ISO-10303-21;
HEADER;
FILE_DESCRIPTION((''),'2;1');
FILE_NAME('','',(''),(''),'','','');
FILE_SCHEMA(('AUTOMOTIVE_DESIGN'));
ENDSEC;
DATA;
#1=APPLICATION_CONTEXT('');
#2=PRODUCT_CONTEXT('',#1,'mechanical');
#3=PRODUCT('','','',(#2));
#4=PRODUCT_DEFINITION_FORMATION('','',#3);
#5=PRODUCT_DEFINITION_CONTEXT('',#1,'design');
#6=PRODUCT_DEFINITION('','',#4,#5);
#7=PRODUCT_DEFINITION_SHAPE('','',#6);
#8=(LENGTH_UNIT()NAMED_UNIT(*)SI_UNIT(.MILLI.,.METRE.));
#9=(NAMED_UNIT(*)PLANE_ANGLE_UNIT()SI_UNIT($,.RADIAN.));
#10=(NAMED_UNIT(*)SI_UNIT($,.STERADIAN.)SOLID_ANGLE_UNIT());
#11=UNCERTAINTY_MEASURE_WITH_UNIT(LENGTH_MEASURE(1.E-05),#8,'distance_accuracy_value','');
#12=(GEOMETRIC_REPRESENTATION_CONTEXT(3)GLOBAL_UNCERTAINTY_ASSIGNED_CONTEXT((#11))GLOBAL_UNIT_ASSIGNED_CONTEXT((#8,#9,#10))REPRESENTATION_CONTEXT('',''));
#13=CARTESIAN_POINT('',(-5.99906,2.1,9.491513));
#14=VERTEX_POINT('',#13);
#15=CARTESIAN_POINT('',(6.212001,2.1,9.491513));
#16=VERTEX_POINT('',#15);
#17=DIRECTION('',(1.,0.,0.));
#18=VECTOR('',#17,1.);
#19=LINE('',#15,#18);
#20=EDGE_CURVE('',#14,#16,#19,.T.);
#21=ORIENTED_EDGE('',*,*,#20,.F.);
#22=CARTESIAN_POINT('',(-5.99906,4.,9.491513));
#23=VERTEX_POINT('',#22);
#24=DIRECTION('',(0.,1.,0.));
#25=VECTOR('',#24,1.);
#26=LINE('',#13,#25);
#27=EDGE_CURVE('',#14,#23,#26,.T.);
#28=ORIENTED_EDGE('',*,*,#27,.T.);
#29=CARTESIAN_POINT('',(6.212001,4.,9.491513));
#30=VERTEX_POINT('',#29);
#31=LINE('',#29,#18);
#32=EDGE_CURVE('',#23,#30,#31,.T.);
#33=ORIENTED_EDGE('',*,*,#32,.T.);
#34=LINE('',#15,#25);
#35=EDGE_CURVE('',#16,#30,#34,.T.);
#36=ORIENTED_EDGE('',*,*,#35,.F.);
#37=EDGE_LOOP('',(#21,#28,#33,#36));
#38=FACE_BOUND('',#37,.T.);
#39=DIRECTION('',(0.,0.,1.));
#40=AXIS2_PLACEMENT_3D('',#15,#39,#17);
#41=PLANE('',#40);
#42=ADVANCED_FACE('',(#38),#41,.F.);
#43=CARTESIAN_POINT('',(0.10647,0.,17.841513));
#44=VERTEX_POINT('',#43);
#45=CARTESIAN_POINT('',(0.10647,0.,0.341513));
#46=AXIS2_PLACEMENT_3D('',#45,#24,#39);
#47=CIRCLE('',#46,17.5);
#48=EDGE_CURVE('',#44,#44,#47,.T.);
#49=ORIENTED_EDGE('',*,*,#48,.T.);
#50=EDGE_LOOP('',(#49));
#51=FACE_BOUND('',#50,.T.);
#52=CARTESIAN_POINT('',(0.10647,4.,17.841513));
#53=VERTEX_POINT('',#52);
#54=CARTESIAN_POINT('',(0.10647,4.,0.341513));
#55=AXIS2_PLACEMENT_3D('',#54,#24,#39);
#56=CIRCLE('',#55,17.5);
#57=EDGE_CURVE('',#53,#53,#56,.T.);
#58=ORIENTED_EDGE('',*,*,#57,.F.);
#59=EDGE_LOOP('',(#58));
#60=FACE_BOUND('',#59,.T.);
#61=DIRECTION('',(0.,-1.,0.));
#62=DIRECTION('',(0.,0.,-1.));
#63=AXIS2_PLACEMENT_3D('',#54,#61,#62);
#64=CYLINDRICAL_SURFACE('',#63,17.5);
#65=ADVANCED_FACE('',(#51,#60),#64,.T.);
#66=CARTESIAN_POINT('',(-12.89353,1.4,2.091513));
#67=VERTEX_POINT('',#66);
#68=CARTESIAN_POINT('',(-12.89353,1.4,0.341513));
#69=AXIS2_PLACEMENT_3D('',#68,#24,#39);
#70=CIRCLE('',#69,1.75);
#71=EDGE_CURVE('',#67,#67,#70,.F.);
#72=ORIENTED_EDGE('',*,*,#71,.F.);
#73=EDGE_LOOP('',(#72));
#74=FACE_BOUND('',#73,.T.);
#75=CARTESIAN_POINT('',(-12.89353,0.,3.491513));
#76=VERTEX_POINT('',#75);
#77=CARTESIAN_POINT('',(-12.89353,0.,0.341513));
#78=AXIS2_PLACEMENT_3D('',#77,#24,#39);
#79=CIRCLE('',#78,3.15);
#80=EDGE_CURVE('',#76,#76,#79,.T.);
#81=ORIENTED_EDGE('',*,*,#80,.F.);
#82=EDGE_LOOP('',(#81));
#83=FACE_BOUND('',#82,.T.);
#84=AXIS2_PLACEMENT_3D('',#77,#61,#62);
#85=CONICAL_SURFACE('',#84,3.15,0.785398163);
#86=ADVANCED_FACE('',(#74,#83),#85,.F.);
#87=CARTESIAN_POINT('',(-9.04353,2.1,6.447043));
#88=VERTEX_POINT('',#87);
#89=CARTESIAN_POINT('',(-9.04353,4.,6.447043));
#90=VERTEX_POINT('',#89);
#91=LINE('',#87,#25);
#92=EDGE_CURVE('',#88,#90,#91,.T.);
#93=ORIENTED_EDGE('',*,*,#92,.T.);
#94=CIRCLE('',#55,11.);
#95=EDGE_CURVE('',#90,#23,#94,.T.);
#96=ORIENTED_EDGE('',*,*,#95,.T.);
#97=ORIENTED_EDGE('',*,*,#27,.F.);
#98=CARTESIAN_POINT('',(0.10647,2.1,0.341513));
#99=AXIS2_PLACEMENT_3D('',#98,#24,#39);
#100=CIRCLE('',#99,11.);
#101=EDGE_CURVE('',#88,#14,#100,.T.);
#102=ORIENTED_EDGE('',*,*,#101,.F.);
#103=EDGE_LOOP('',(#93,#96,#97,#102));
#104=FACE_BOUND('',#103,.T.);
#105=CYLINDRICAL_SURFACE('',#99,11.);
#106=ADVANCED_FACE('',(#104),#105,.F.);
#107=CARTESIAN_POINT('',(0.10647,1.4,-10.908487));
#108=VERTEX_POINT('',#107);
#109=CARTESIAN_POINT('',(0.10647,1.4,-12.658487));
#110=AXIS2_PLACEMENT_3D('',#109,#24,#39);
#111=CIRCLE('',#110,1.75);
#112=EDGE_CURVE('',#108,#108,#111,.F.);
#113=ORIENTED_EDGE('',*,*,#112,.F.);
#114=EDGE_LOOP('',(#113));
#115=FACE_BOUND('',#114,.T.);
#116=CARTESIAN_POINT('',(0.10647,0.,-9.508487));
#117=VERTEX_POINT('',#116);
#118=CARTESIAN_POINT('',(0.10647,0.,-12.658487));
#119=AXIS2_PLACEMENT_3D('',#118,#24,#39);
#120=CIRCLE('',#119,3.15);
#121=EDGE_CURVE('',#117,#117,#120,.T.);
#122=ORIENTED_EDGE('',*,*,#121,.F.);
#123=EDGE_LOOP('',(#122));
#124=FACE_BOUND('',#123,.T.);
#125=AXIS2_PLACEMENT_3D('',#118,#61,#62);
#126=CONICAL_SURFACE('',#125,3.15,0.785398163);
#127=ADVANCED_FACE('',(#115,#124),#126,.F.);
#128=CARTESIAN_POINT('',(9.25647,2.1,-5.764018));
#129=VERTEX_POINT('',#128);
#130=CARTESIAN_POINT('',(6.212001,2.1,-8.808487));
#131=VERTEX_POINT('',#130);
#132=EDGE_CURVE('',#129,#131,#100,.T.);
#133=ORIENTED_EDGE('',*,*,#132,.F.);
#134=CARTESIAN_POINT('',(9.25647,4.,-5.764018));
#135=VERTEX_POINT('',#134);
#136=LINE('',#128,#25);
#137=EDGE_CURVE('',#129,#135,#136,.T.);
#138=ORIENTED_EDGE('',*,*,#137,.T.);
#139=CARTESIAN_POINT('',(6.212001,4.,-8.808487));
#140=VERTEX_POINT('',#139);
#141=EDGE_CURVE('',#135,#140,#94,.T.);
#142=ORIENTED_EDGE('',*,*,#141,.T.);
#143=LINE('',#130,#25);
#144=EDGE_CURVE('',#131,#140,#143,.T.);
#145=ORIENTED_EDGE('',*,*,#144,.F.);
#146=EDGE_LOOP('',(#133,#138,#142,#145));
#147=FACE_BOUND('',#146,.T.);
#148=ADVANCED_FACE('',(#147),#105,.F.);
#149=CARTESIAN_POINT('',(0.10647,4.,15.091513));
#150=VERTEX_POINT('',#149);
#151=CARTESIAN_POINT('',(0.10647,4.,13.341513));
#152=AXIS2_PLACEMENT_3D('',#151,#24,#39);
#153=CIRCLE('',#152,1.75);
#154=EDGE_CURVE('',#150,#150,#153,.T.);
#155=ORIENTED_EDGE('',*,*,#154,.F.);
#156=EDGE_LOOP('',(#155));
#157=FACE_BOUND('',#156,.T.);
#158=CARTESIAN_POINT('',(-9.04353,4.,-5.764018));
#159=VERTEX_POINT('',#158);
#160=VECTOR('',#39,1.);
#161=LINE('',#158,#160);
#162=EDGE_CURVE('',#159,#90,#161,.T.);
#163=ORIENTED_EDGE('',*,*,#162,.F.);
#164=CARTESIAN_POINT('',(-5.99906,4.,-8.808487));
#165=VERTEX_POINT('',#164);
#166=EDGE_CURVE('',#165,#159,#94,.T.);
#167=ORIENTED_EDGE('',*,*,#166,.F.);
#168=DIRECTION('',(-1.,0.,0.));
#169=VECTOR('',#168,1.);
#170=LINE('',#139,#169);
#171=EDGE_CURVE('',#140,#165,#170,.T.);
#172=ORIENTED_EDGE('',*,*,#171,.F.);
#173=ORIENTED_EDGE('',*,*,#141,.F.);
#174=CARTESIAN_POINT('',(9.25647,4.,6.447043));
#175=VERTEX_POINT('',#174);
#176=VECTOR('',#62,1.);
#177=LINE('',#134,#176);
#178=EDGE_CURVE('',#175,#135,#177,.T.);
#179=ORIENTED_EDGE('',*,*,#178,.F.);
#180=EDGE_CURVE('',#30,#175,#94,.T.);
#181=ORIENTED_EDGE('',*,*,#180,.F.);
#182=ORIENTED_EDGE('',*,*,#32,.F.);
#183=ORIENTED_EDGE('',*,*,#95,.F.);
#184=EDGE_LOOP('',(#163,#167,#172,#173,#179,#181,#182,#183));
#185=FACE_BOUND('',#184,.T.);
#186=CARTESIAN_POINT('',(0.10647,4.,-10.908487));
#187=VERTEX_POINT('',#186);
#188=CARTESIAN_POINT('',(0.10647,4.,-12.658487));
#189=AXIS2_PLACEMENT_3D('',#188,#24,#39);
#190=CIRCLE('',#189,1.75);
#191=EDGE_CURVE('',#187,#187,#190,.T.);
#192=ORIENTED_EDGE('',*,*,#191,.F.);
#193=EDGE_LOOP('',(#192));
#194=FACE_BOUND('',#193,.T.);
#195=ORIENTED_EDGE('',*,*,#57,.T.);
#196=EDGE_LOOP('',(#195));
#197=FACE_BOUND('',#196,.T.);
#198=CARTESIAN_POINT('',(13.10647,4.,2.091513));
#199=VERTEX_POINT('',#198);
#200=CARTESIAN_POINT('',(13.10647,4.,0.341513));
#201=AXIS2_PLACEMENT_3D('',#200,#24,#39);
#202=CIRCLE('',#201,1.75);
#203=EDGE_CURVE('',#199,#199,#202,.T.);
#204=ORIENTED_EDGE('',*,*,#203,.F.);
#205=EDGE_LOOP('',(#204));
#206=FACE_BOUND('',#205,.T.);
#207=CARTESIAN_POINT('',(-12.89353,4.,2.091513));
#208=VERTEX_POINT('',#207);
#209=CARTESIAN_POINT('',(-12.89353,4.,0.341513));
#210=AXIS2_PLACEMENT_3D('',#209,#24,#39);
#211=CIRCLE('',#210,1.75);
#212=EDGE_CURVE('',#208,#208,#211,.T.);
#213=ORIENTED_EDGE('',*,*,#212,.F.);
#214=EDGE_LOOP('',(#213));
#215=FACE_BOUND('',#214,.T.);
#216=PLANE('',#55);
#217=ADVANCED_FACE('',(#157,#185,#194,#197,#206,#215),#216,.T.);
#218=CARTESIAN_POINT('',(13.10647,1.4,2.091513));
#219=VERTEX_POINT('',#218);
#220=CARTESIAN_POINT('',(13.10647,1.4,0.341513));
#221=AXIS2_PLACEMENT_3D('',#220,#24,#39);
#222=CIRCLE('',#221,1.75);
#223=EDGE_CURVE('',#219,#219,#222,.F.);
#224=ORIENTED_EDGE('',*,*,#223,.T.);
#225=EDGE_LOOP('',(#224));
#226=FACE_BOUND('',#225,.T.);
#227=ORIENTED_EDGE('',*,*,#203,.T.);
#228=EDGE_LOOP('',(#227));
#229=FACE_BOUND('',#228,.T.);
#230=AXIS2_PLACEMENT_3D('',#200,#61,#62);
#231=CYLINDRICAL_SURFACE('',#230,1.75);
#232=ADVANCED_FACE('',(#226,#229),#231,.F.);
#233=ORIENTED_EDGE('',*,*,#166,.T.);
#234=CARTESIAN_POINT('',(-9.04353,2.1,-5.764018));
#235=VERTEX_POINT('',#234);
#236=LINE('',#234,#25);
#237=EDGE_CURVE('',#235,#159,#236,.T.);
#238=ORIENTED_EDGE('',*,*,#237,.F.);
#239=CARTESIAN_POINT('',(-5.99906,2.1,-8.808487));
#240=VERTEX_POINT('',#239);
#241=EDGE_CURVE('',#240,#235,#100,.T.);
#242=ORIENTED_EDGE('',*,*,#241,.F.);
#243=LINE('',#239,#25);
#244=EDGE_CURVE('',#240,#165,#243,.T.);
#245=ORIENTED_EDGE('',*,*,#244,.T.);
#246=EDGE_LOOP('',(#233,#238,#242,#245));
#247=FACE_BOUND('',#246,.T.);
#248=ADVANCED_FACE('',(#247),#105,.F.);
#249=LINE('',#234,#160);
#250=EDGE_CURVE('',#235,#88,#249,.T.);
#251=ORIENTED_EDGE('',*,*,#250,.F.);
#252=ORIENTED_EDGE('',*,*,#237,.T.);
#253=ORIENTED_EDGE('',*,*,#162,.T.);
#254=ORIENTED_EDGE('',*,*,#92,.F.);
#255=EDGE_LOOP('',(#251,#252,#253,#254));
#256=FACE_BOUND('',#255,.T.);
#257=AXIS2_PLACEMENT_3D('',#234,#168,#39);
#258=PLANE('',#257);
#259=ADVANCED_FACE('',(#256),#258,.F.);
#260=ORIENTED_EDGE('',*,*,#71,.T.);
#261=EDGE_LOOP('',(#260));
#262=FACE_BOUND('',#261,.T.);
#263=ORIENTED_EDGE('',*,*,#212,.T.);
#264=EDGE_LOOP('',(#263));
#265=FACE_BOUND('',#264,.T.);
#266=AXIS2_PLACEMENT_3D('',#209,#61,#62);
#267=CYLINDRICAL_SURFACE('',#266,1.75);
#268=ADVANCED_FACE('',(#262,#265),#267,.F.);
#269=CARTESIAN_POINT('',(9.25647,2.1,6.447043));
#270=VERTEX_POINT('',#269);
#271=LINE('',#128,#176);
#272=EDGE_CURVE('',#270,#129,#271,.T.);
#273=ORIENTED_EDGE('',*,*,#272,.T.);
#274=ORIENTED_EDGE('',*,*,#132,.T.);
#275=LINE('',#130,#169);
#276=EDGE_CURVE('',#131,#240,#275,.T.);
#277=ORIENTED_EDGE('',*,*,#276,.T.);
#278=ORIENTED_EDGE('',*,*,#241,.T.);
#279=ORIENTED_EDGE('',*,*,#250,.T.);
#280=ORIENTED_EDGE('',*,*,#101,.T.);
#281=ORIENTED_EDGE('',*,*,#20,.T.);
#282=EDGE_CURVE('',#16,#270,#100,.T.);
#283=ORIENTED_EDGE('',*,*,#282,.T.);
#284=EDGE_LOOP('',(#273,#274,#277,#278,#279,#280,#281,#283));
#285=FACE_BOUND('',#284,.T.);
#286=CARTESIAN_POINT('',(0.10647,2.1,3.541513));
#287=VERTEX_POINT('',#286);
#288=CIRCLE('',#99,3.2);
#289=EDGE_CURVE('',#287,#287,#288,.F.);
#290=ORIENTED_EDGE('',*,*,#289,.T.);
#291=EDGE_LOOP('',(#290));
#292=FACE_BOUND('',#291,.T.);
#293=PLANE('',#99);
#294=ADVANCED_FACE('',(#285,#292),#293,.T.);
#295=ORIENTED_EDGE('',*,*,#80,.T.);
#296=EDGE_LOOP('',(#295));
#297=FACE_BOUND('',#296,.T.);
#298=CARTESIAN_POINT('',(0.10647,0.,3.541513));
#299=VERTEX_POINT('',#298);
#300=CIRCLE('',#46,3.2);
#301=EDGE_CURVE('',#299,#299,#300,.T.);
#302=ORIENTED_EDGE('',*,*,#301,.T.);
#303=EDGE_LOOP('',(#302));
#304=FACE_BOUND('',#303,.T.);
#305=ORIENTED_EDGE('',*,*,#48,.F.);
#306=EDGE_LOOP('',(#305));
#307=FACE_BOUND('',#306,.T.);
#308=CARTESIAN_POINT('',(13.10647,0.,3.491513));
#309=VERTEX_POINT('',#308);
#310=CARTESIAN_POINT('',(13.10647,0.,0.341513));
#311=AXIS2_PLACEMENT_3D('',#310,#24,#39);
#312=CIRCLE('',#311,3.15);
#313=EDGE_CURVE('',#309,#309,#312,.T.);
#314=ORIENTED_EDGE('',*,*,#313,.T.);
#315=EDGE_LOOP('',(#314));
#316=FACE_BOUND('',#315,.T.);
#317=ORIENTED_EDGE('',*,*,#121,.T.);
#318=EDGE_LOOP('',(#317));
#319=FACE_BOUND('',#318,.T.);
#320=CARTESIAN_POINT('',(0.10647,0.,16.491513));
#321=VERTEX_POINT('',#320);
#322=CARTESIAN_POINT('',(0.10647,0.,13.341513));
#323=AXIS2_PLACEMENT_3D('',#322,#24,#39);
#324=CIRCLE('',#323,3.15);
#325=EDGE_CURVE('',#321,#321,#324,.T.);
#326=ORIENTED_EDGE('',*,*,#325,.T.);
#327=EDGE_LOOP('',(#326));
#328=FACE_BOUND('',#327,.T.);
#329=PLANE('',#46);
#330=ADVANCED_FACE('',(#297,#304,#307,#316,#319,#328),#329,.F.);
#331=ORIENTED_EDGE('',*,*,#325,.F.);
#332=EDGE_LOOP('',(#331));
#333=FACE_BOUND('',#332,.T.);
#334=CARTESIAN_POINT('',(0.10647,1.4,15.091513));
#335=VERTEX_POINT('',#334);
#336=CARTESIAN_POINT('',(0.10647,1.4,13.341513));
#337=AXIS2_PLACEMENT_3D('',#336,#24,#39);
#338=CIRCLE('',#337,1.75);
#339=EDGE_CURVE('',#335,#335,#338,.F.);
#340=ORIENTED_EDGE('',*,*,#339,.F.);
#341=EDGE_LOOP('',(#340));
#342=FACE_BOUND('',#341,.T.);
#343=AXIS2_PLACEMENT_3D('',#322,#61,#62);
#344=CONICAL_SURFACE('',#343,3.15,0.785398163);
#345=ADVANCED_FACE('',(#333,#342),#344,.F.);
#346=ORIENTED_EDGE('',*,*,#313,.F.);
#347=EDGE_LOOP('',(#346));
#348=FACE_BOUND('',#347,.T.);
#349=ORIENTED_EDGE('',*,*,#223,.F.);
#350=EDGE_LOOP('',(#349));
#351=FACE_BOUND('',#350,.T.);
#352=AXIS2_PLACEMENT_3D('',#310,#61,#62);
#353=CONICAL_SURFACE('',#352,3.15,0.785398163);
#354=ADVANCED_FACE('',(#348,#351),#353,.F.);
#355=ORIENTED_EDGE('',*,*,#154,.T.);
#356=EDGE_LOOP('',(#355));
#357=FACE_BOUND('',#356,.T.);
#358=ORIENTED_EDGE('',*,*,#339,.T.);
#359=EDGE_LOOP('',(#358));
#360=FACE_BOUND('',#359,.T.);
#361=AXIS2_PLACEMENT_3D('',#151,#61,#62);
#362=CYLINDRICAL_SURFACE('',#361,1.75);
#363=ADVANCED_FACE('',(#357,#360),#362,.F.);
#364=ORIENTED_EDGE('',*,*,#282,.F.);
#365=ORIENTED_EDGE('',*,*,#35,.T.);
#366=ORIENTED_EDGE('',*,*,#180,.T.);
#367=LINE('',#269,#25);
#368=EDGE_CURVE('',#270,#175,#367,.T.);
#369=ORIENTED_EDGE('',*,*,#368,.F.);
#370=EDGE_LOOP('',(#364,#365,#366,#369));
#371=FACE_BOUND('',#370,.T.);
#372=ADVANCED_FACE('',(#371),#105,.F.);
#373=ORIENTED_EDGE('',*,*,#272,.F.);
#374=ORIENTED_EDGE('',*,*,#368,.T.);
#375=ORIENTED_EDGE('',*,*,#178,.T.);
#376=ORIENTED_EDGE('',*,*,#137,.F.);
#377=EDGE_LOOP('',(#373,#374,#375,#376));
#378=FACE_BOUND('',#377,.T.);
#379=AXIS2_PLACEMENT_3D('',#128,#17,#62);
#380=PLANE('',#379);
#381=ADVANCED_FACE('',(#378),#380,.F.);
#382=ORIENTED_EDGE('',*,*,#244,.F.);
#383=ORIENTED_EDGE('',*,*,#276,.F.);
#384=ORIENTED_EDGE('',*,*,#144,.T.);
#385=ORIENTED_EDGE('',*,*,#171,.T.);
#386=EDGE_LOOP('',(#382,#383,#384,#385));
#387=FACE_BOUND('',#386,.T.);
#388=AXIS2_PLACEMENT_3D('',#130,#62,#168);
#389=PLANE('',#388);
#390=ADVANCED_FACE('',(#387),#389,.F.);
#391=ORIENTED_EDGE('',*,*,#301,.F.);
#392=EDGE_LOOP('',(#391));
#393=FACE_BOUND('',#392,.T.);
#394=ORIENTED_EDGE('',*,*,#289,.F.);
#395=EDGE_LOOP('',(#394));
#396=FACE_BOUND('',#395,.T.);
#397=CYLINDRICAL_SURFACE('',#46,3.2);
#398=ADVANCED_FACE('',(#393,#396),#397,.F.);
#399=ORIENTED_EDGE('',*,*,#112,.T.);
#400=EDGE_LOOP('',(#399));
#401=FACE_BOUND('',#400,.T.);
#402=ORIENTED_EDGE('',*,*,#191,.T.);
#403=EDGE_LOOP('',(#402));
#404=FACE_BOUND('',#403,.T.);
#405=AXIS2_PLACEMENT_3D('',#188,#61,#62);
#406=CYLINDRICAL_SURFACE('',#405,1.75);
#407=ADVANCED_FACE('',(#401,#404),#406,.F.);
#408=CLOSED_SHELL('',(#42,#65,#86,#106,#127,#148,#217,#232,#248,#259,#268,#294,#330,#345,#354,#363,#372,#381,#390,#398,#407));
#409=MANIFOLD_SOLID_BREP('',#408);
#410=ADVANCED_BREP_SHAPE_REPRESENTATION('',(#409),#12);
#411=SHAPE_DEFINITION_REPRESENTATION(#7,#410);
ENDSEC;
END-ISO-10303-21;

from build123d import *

# Parameters (mm, degrees)
SKETCH_1_R          = 17.5
SKETCH_1_R_2        = 1.75
EXTRUDE_1_DEPTH     = 4
SKETCH_2_R          = 3.2
CUT_EXTRUDE_1_DEPTH = 5
CUT_EXTRUDE_2_DEPTH = 1.9
CHAMFER_1_SIZE      = 1.4


with BuildPart() as part:
    # Эскиз1 → Бобышка-Вытянуть1 (new body)
    with BuildSketch(Plane(origin=(0, 0, 0), x_dir=(1, 0, 0), z_dir=(0, 1, 0))):
        with Locations((0.106470277, -0.341512656)):
            Circle(SKETCH_1_R)
        with Locations((13.106470277, -0.341512656)):
            Circle(SKETCH_1_R_2, mode=Mode.SUBTRACT)
        with Locations((0.106470277, -13.341512656)):
            Circle(SKETCH_1_R_2, mode=Mode.SUBTRACT)
        with Locations((-12.893529723, -0.341512656)):
            Circle(SKETCH_1_R_2, mode=Mode.SUBTRACT)
        with Locations((0.106470277, 12.658487344)):
            Circle(SKETCH_1_R_2, mode=Mode.SUBTRACT)
    extrude(amount=EXTRUDE_1_DEPTH)

    # Эскиз2 → Вырез-Вытянуть1 (cut, through all)
    with BuildSketch(Plane(origin=(0, 4, 0), x_dir=(1, 0, 0), z_dir=(0, 1, 0))):
        with Locations((0.106470277, -0.341512656)):
            Circle(SKETCH_2_R)
    extrude(amount=-CUT_EXTRUDE_1_DEPTH, mode=Mode.SUBTRACT)

    # Эскиз3 → Вырез-Вытянуть2 (cut)
    with BuildSketch(Plane(origin=(0, 4, 0), x_dir=(1, 0, 0), z_dir=(0, 1, 0))):
        with BuildLine():
            Line((6.212000557, 8.808487344), (-5.999060003, 8.808487344))
            ThreePointArc((-5.999060003, 8.808487344), (-7.671704316, 7.436661937), (-9.043529723, 5.764017624))
            Line((-9.043529723, 5.764017624), (-9.043529723, -6.447042936))
            ThreePointArc((-9.043529723, -6.447042936), (-7.671704316, -8.119687249), (-5.999060003, -9.491512656))
            Line((-5.999060003, -9.491512656), (6.212000557, -9.491512656))
            ThreePointArc((6.212000557, -9.491512656), (7.88464487, -8.119687249), (9.256470277, -6.447042936))
            Line((9.256470277, -6.447042936), (9.256470277, 5.764017624))
            ThreePointArc((9.256470277, 5.764017624), (7.88464487, 7.436661937), (6.212000557, 8.808487344))
        make_face()
    extrude(amount=-CUT_EXTRUDE_2_DEPTH, mode=Mode.SUBTRACT)

    # Фаска1
    chamfer_1_edges = [part.edges().sort_by_distance(p)[0] for p in [
        (-14.643529723, 0, 0.341512656),
        (-1.643529723, 0, -12.658487344),
        (11.356470277, 0, 0.341512656),
        (-1.643529723, 0, 13.341512656),
    ]]
    chamfer(chamfer_1_edges, length=CHAMFER_1_SIZE)


solid = part.part
